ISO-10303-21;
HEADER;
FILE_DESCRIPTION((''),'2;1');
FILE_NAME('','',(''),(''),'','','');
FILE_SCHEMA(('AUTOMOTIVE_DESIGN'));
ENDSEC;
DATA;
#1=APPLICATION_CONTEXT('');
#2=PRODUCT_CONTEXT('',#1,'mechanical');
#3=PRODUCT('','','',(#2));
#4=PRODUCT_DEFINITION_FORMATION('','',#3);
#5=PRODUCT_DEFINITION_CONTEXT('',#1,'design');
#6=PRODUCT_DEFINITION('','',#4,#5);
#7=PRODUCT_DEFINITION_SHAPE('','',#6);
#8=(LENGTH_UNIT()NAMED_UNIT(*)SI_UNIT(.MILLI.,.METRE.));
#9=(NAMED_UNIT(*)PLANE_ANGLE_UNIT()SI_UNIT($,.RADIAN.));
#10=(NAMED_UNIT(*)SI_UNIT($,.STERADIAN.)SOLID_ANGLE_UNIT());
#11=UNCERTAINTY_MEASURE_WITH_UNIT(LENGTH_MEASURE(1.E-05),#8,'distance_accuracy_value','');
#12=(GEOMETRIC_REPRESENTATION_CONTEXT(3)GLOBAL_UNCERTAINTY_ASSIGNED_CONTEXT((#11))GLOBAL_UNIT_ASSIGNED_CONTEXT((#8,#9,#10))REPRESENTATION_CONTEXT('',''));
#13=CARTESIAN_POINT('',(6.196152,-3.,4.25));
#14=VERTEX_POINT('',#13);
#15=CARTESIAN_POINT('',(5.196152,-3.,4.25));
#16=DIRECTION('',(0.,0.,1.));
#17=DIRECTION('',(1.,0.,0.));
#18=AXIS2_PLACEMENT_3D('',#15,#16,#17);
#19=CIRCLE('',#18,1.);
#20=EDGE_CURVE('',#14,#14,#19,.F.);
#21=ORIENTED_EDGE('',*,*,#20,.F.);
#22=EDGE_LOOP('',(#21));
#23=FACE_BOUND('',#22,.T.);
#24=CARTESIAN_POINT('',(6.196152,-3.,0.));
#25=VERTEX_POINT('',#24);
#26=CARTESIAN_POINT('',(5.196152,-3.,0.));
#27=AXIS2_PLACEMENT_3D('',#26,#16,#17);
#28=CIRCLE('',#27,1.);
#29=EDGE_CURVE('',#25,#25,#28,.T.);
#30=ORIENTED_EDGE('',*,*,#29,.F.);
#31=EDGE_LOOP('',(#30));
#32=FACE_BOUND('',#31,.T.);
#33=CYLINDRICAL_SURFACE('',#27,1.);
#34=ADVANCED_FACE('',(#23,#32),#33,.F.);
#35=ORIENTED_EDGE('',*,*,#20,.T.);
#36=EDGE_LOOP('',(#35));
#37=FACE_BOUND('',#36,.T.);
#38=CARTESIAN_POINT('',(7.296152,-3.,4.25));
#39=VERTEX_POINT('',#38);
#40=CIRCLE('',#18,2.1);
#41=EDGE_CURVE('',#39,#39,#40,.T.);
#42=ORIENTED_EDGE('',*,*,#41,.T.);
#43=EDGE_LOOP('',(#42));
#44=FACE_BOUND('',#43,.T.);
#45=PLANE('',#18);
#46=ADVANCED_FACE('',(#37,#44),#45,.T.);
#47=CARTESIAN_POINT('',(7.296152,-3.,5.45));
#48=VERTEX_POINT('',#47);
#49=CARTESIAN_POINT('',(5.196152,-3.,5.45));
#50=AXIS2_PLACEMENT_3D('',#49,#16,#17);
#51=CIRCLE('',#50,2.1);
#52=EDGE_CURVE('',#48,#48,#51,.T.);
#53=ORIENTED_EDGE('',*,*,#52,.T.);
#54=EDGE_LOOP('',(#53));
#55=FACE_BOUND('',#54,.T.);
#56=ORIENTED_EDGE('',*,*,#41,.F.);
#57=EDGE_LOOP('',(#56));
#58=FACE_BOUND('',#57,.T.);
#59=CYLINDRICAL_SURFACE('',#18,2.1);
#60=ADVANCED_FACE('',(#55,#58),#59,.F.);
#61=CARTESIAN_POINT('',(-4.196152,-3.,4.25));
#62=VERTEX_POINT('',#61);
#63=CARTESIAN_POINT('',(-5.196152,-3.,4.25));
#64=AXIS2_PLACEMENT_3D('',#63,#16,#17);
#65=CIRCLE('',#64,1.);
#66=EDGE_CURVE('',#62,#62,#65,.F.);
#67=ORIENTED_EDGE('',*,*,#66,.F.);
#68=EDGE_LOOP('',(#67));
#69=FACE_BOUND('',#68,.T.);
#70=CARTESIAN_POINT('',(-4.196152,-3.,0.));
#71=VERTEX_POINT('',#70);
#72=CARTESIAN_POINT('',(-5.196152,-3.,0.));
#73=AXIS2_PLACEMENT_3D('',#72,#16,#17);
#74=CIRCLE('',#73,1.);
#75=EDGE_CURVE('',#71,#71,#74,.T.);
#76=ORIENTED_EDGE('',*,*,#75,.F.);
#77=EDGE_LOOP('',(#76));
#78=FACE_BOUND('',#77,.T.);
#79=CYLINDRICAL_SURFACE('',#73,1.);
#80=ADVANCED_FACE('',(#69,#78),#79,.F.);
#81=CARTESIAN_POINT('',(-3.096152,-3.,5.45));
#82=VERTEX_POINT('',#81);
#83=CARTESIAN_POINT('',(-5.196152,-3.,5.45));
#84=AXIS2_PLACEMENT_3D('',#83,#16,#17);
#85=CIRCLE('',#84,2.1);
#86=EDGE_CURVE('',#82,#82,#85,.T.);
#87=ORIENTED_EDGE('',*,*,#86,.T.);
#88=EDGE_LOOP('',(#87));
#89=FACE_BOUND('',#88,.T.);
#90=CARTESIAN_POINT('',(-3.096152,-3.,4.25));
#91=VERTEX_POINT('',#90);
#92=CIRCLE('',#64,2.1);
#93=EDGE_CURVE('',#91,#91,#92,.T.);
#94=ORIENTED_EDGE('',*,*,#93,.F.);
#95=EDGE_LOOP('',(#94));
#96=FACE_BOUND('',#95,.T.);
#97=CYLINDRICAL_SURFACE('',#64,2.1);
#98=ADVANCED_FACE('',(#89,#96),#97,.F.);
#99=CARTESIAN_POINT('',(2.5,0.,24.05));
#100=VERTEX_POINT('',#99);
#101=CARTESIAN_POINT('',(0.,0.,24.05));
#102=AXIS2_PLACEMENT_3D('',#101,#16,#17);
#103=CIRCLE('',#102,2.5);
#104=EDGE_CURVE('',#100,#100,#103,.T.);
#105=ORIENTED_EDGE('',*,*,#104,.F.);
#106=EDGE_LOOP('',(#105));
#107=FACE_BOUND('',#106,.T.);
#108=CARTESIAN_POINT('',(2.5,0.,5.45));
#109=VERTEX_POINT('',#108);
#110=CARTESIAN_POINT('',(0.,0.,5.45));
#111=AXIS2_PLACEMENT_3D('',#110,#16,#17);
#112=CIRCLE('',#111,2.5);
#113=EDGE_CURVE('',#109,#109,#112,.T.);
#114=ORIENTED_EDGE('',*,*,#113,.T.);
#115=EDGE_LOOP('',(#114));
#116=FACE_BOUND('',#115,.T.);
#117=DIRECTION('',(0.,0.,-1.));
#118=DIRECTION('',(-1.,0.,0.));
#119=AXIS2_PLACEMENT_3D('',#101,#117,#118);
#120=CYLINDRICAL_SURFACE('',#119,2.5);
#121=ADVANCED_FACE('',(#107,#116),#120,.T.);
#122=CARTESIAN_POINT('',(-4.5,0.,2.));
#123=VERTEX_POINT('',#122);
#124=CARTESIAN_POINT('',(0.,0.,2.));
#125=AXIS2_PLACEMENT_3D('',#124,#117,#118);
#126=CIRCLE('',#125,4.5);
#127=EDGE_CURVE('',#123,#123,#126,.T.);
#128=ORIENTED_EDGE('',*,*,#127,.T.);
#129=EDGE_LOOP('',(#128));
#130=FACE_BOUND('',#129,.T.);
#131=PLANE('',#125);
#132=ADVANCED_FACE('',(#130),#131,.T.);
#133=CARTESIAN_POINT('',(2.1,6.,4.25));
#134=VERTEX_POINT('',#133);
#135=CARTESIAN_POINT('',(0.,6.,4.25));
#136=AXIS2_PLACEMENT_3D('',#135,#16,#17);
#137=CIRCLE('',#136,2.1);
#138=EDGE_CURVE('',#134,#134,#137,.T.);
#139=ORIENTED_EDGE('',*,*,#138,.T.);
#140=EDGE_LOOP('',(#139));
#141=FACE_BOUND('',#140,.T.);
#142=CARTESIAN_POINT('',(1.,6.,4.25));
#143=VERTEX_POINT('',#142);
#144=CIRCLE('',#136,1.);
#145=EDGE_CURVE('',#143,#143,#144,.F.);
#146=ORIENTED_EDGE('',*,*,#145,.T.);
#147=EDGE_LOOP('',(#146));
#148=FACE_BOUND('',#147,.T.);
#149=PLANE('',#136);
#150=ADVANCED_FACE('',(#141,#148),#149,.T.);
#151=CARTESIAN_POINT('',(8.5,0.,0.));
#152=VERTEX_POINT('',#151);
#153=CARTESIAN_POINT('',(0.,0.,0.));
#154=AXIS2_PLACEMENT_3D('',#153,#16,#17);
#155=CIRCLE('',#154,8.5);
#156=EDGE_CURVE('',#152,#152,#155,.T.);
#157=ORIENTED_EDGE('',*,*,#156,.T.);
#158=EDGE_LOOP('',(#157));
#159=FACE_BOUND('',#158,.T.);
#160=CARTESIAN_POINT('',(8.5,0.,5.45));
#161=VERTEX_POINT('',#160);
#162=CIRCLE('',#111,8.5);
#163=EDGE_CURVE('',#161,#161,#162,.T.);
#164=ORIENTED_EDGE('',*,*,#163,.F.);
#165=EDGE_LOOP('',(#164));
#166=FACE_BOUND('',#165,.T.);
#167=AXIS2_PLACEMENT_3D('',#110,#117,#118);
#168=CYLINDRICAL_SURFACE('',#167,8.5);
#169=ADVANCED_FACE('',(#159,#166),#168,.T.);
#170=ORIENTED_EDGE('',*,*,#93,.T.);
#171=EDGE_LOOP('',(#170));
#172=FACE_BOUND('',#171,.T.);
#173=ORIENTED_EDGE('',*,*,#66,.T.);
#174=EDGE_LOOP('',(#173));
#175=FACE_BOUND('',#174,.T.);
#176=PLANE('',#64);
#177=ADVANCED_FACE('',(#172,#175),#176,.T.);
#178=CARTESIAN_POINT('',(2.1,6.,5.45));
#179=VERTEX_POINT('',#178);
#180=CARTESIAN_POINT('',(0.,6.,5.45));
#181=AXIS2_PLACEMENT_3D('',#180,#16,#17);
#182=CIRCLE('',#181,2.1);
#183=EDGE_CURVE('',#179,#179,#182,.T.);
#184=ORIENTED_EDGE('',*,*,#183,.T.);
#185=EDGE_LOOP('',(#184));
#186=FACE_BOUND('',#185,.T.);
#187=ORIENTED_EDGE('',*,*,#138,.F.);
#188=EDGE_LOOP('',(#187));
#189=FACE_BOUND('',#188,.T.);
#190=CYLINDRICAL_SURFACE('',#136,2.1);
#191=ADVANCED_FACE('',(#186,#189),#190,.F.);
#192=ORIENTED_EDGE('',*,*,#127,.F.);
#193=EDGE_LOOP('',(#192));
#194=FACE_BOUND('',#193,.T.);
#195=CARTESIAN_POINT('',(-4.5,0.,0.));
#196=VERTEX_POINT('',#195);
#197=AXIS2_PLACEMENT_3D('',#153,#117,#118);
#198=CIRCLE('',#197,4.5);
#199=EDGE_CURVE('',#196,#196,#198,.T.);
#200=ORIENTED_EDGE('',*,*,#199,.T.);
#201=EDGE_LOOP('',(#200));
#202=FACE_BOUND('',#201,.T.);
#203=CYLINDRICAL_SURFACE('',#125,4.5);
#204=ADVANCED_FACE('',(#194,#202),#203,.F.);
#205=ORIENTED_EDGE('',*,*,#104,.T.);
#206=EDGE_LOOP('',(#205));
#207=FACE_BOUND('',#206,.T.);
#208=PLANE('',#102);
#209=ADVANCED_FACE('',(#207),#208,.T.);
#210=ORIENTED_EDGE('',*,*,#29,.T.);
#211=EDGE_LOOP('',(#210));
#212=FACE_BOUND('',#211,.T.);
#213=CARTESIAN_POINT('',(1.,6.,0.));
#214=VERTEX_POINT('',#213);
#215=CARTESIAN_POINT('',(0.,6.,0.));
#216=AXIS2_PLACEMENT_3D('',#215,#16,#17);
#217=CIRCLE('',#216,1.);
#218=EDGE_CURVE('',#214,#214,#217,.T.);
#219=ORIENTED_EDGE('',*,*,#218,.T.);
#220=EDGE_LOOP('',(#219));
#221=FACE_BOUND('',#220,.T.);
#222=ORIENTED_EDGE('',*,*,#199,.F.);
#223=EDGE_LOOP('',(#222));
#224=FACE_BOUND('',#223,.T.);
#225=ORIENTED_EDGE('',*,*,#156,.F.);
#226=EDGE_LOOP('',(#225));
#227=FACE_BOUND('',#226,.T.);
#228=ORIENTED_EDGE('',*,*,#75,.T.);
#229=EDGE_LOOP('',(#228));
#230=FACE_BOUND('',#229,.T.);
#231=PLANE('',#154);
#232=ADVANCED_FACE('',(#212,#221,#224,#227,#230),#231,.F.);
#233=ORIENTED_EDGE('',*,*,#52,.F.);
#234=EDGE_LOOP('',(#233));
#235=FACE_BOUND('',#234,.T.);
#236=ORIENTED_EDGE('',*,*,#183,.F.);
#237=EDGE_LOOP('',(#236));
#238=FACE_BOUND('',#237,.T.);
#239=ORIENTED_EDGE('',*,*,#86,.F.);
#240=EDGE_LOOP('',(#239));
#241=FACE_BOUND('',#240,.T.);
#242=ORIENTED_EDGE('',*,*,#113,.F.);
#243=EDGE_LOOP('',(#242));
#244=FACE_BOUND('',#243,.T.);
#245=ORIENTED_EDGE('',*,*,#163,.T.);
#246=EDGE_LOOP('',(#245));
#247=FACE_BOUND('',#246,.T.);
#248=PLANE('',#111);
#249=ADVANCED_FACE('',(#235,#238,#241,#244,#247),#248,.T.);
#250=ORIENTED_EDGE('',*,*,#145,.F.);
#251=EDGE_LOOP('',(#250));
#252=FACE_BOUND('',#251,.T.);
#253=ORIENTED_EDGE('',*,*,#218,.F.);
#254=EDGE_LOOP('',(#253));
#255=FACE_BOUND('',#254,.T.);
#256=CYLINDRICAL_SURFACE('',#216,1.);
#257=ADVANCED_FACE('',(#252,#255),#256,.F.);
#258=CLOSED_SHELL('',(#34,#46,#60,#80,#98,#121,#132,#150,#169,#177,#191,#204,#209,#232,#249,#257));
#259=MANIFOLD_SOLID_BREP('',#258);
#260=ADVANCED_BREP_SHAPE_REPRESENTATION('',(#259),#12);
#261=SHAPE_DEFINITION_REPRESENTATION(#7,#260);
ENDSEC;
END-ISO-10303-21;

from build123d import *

# Parameters (mm, degrees)
SKETCH1_R           = 8.5
BOSS_EXTRUDE1_DEPTH = 5.45
SKETCH2_R           = 1
CUT_EXTRUDE1_DEPTH  = 5.45
SKETCH3_R           = 2.5
BOSS_EXTRUDE2_DEPTH = 18.6
SKETCH6_R           = 2.1
CUT_EXTRUDE2_DEPTH  = 1.2
SKETCH7_R           = 4.5
CUT_EXTRUDE3_DEPTH  = 2


with BuildPart() as part:
    # Sketch1 → Boss-Extrude1 (new body)
    with BuildSketch(Plane.XY):
        Circle(SKETCH1_R)
    extrude(amount=BOSS_EXTRUDE1_DEPTH)

    # Sketch2 → Cut-Extrude1 (cut)
    with BuildSketch(Plane.XY.offset(5.45)):
        with Locations((0, 6)):
            Circle(SKETCH2_R)
        with Locations((5.196152423, -3)):
            Circle(SKETCH2_R)
        with Locations((-5.196152423, -3)):
            Circle(SKETCH2_R)
    extrude(amount=-CUT_EXTRUDE1_DEPTH, mode=Mode.SUBTRACT)

    # Sketch3 → Boss-Extrude2 (add)
    with BuildSketch(Plane.XY.offset(5.45)):
        Circle(SKETCH3_R)
    extrude(amount=BOSS_EXTRUDE2_DEPTH)

    # Sketch6 → Cut-Extrude2 (cut)
    with BuildSketch(Plane.XY.offset(5.45)):
        with Locations((5.196152423, -3)):
            Circle(SKETCH6_R)
        with Locations((0, 6)):
            Circle(SKETCH6_R)
        with Locations((-5.196152423, -3)):
            Circle(SKETCH6_R)
    extrude(amount=-CUT_EXTRUDE2_DEPTH, mode=Mode.SUBTRACT)

    # Sketch7 → Cut-Extrude3 (cut)
    with BuildSketch(Plane(origin=(0, 0, 0), x_dir=(-1, 0, 0), z_dir=(0, 0, -1))):
        Circle(SKETCH7_R)
    extrude(amount=-CUT_EXTRUDE3_DEPTH, mode=Mode.SUBTRACT)


solid = part.part
